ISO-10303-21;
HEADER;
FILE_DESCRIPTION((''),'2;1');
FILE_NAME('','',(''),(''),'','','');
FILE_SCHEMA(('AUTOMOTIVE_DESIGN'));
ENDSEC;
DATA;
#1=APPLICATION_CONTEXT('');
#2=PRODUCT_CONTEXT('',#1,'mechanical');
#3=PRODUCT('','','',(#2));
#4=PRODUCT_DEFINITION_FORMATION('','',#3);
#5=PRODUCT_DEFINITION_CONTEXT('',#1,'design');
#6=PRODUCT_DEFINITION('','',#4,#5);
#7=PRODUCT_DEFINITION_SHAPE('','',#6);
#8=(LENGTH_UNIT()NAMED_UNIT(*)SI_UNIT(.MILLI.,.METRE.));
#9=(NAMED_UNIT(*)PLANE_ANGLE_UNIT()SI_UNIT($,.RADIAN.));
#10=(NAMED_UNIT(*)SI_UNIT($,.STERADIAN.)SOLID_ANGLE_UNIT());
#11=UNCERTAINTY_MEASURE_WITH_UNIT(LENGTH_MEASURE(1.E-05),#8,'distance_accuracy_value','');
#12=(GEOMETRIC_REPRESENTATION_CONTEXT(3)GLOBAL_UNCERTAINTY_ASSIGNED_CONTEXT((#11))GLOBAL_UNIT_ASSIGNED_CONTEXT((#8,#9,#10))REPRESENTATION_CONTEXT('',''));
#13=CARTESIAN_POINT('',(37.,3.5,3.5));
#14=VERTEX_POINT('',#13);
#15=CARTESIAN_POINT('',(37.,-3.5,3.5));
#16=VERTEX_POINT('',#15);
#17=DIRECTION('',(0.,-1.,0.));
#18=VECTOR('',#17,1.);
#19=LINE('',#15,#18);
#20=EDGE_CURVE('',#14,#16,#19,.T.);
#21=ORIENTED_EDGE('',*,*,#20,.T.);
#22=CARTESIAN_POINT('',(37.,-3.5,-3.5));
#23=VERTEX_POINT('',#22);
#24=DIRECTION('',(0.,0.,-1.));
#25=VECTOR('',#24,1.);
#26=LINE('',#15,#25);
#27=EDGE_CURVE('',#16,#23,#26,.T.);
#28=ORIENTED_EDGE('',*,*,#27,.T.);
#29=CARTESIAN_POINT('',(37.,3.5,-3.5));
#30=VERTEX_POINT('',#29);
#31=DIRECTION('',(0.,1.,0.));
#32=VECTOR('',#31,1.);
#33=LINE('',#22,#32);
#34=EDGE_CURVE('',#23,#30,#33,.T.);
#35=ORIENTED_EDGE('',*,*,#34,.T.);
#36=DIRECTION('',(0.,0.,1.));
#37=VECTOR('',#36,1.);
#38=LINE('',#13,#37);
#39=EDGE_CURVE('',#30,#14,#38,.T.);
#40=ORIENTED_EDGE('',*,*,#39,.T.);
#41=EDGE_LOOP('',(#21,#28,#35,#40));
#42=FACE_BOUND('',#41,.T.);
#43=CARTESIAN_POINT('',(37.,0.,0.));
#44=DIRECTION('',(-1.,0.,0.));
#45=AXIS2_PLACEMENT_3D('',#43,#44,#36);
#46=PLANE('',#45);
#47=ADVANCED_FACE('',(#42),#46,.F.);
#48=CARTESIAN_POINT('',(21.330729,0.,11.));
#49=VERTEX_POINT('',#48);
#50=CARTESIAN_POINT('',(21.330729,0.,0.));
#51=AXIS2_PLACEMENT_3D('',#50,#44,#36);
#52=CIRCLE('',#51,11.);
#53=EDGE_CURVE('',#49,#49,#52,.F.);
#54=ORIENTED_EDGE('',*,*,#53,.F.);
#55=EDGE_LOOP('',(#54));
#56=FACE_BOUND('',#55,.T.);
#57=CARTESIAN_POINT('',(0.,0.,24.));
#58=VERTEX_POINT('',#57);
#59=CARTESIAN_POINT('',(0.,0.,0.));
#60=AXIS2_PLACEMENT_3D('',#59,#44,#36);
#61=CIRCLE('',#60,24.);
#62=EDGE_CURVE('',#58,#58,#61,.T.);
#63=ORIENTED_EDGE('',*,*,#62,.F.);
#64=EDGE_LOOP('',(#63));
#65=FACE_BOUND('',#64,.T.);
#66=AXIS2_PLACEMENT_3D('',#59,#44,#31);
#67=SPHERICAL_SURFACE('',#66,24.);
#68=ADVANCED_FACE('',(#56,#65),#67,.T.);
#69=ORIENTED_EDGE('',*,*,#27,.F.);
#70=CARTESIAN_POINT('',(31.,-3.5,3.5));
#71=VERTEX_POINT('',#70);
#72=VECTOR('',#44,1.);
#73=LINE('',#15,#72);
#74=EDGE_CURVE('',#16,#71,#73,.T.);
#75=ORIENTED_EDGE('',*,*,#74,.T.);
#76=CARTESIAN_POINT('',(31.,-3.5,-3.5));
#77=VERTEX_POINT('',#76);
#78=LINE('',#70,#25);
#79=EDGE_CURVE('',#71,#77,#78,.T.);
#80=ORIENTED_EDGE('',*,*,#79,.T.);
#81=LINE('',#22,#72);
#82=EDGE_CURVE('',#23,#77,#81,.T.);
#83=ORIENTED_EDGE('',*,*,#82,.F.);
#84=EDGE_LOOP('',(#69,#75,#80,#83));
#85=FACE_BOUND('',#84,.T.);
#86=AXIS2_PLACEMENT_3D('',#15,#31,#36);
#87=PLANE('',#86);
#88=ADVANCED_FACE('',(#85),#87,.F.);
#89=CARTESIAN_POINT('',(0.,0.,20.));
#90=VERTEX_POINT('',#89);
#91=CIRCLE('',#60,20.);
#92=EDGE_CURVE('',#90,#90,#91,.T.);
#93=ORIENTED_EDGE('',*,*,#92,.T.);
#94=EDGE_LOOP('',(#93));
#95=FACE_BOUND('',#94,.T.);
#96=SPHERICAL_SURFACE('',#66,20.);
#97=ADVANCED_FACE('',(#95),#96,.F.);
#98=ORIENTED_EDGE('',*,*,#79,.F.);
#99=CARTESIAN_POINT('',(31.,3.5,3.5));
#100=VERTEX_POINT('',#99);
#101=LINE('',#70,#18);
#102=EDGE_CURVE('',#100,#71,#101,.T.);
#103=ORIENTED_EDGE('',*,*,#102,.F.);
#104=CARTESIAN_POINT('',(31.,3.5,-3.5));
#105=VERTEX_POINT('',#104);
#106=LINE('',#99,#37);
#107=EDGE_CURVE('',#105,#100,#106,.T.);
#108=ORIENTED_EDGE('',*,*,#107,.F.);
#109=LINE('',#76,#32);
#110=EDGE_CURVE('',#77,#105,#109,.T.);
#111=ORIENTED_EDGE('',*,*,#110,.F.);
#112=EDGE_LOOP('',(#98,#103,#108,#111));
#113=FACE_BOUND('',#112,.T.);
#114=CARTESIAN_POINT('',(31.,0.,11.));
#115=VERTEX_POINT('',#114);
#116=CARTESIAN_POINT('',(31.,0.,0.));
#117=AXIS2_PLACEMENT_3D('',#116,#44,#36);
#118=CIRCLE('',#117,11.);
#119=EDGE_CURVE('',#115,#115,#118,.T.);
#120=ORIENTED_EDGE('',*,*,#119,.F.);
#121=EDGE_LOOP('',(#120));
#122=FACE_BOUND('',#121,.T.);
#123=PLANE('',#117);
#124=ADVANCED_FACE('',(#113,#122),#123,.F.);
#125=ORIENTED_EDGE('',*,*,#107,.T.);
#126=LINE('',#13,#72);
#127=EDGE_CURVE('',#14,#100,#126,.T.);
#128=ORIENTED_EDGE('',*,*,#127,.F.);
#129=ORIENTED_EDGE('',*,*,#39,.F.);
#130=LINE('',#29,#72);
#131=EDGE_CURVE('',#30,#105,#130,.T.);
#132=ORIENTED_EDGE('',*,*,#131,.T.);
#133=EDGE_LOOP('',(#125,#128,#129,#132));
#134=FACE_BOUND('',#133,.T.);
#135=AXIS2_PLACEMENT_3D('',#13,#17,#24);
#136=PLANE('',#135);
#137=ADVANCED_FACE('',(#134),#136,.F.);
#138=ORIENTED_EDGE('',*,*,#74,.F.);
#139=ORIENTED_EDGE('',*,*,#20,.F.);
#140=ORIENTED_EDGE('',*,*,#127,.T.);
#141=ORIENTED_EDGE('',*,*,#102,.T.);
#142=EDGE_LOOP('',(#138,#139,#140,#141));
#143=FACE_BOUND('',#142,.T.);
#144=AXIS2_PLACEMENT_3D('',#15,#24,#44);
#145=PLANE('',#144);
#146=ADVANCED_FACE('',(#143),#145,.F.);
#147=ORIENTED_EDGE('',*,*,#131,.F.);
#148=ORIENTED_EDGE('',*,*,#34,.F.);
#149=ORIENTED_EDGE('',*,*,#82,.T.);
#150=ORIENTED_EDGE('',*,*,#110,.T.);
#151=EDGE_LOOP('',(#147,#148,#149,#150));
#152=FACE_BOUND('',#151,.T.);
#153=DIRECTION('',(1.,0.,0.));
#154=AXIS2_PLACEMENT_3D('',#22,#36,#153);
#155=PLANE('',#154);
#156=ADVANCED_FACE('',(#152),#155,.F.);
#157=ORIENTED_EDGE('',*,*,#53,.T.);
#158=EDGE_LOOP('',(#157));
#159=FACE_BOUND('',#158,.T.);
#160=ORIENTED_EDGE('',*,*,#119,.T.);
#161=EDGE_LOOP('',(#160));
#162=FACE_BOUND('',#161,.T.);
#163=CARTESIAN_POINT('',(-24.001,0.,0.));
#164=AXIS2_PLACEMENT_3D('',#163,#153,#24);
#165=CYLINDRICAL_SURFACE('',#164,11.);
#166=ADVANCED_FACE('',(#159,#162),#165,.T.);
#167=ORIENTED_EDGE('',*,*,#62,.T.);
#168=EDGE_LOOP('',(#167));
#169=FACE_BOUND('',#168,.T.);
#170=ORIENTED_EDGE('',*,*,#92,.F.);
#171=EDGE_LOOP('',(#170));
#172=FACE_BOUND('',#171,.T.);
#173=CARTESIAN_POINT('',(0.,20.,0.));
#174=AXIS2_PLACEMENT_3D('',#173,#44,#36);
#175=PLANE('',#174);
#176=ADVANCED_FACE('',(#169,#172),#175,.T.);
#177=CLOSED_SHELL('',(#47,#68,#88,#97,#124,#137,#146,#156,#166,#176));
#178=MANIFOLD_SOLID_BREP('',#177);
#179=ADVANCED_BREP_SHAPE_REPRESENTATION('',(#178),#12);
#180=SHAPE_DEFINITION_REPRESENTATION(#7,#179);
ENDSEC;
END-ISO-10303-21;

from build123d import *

# Parameters (mm, degrees)
BOSS_EXTRUDE1_START             = -30
SKETCH2_R                       = 11
BOSS_EXTRUDE1_DEPTH             = 1
BOSS_EXTRUDE1_DIRECTION_2_REACH = 73.569
SKETCH4_W                       = 7
SKETCH4_H                       = 7
BOSS_EXTRUDE2_DEPTH             = 6


with BuildPart() as part:
    # Sketch1 → Revolve-Thin1 (revolve)
    with BuildSketch(Plane.XY):
        with BuildLine():
            ThreePointArc((20, 0), (14.142135624, 14.142135624), (0, 20))
            Line((0, 20), (0, 24))
            ThreePointArc((0, 24), (16.970562748, 16.970562748), (24, 0))
            Line((24, 0), (20, 0))
        make_face()
    revolve(axis=Axis((0, 0, 0), (1, 0, 0)))

    # Sketch2 → Boss-Extrude1 (add)
    with BuildSketch(Plane.ZY.offset(BOSS_EXTRUDE1_START)):
        Circle(SKETCH2_R)
    extrude(amount=-BOSS_EXTRUDE1_DEPTH)

    # Sketch2 → Boss-Extrude1 direction 2 (add, up to next)
    with BuildSketch(Plane.ZY.offset(BOSS_EXTRUDE1_START), mode=Mode.PRIVATE) as boss_extrude1_direction_2_sk1:
        Circle(SKETCH2_R)
    boss_extrude1_direction_2_tool1 = extrude(boss_extrude1_direction_2_sk1.sketch, amount=BOSS_EXTRUDE1_DIRECTION_2_REACH, mode=Mode.PRIVATE) - part.part
    add(boss_extrude1_direction_2_tool1.solids().sort_by_distance((30, 0, 0))[0])

    # Sketch4 → Boss-Extrude2 (add)
    with BuildSketch(Plane(origin=(31, 0, 0), x_dir=(0, 0, -1), z_dir=(1, 0, 0))):
        Rectangle(SKETCH4_W, SKETCH4_H)
    extrude(amount=BOSS_EXTRUDE2_DEPTH)


solid = part.part
